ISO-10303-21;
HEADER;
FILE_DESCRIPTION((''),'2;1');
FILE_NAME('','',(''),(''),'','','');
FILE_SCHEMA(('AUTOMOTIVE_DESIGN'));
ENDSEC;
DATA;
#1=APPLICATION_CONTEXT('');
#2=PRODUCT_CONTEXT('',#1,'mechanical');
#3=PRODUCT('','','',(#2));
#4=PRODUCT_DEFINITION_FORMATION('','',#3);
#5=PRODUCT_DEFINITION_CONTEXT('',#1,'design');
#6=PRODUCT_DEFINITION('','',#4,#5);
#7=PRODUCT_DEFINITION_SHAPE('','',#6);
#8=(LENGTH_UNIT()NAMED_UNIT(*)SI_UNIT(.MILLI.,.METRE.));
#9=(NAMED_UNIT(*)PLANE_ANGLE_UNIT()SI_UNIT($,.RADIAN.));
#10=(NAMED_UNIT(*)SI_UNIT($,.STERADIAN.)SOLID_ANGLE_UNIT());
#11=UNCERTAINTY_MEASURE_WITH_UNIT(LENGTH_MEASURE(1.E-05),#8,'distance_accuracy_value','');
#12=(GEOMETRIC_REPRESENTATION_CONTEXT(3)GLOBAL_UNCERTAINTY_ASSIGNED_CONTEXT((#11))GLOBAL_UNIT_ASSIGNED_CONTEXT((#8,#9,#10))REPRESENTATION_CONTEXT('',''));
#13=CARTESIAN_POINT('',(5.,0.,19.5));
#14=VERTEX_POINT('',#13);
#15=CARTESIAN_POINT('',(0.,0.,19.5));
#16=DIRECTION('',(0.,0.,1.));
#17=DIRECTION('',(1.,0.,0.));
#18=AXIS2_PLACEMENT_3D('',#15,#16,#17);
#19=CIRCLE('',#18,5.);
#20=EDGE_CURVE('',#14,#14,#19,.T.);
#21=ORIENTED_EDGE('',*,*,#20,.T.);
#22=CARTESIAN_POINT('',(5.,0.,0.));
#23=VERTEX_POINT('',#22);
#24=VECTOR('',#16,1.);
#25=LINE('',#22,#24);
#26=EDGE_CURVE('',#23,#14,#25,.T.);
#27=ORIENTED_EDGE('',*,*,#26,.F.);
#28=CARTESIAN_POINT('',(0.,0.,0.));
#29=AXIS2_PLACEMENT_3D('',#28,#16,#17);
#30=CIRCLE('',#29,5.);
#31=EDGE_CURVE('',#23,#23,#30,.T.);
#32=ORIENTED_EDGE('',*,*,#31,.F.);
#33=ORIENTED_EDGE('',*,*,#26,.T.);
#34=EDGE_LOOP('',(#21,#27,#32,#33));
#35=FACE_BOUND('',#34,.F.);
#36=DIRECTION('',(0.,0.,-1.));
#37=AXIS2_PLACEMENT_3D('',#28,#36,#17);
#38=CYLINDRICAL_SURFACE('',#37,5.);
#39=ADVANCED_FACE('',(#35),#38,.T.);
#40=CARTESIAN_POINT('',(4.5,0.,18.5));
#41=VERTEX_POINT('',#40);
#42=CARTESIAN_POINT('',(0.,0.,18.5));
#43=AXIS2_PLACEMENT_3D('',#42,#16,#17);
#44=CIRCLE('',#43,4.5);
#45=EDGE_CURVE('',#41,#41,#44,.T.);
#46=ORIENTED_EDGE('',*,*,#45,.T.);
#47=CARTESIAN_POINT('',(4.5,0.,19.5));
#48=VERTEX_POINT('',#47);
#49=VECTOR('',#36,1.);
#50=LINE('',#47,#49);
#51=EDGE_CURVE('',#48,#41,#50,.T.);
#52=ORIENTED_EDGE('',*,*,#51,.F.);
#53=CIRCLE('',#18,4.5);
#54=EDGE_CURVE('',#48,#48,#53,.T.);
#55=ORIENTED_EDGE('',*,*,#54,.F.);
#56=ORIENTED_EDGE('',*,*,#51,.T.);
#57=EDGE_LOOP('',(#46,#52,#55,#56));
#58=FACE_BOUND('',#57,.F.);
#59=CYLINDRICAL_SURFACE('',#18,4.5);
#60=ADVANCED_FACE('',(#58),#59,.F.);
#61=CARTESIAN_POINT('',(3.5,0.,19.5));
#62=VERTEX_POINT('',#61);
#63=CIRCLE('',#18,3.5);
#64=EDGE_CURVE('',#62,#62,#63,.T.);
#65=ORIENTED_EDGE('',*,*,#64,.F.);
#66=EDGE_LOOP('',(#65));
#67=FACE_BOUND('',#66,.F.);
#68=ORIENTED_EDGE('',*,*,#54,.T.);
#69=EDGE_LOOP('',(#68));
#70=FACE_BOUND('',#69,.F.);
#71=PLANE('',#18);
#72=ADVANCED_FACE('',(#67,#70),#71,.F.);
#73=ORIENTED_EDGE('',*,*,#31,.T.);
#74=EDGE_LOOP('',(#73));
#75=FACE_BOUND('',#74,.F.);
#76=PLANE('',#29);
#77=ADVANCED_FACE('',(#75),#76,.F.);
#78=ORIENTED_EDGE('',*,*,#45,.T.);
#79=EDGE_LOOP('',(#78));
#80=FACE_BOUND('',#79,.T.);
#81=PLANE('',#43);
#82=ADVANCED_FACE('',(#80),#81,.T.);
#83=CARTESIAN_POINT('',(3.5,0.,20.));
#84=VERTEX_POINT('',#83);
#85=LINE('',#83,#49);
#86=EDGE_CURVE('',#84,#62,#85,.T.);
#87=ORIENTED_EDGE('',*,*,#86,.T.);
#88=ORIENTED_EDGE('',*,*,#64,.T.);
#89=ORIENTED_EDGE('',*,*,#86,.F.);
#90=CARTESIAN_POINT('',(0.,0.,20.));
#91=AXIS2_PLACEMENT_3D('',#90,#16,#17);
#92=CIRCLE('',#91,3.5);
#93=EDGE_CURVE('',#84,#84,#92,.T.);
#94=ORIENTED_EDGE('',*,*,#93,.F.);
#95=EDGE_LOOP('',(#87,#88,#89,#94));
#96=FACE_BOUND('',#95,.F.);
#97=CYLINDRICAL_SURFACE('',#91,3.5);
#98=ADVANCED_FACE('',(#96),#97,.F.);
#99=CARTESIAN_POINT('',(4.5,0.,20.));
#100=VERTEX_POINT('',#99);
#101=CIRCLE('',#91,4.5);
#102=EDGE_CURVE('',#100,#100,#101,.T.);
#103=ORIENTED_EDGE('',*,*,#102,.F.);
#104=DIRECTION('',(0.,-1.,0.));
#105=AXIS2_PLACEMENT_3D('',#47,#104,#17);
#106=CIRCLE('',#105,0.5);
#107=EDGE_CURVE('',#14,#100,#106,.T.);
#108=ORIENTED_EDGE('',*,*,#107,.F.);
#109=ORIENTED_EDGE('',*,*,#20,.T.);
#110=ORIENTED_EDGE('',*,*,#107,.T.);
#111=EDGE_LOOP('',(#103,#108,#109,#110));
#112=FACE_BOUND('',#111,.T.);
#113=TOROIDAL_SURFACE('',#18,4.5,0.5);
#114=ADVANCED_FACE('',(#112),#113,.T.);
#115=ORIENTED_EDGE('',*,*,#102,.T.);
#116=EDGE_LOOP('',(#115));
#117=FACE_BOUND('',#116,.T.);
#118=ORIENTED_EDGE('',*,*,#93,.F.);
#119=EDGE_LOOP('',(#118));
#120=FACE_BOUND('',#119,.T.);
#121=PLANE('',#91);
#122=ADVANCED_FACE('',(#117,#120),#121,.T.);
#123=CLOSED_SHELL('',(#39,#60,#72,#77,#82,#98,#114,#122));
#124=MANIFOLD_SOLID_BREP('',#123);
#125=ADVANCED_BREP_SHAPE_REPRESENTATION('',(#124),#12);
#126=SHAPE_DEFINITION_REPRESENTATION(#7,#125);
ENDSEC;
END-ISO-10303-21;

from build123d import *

# Parameters (mm, degrees)
SKETCH033_R     = 5
PAD018_DEPTH    = 20
SKETCH034_R     = 3.5
POCKET016_DEPTH = 0.5
SKETCH037_R     = 4.5
POCKET018_DEPTH = 1
FILLET003_R     = 0.5


with BuildPart() as part:
    # Sketch033 → Pad018 (new body)
    with BuildSketch(Plane.XY):
        Circle(SKETCH033_R)
    extrude(amount=PAD018_DEPTH)

    # Sketch034 (on Face3 of Pad018) → Pocket016 (cut)
    with BuildSketch(Plane.XY.offset(20)):
        Circle(SKETCH034_R)
    extrude(amount=-POCKET016_DEPTH, mode=Mode.SUBTRACT)

    # Sketch037 (on Face5 of Pocket016) → Pocket018 (cut)
    with BuildSketch(Plane.XY.offset(19.5)):
        Circle(SKETCH037_R)
    extrude(amount=-POCKET018_DEPTH, mode=Mode.SUBTRACT)

    # Fillet003
    fillet003_edges = [part.edges().sort_by_distance(p)[0] for p in [
        (-5, 0, 20),
    ]]
    fillet(fillet003_edges, radius=FILLET003_R)


solid = part.part
